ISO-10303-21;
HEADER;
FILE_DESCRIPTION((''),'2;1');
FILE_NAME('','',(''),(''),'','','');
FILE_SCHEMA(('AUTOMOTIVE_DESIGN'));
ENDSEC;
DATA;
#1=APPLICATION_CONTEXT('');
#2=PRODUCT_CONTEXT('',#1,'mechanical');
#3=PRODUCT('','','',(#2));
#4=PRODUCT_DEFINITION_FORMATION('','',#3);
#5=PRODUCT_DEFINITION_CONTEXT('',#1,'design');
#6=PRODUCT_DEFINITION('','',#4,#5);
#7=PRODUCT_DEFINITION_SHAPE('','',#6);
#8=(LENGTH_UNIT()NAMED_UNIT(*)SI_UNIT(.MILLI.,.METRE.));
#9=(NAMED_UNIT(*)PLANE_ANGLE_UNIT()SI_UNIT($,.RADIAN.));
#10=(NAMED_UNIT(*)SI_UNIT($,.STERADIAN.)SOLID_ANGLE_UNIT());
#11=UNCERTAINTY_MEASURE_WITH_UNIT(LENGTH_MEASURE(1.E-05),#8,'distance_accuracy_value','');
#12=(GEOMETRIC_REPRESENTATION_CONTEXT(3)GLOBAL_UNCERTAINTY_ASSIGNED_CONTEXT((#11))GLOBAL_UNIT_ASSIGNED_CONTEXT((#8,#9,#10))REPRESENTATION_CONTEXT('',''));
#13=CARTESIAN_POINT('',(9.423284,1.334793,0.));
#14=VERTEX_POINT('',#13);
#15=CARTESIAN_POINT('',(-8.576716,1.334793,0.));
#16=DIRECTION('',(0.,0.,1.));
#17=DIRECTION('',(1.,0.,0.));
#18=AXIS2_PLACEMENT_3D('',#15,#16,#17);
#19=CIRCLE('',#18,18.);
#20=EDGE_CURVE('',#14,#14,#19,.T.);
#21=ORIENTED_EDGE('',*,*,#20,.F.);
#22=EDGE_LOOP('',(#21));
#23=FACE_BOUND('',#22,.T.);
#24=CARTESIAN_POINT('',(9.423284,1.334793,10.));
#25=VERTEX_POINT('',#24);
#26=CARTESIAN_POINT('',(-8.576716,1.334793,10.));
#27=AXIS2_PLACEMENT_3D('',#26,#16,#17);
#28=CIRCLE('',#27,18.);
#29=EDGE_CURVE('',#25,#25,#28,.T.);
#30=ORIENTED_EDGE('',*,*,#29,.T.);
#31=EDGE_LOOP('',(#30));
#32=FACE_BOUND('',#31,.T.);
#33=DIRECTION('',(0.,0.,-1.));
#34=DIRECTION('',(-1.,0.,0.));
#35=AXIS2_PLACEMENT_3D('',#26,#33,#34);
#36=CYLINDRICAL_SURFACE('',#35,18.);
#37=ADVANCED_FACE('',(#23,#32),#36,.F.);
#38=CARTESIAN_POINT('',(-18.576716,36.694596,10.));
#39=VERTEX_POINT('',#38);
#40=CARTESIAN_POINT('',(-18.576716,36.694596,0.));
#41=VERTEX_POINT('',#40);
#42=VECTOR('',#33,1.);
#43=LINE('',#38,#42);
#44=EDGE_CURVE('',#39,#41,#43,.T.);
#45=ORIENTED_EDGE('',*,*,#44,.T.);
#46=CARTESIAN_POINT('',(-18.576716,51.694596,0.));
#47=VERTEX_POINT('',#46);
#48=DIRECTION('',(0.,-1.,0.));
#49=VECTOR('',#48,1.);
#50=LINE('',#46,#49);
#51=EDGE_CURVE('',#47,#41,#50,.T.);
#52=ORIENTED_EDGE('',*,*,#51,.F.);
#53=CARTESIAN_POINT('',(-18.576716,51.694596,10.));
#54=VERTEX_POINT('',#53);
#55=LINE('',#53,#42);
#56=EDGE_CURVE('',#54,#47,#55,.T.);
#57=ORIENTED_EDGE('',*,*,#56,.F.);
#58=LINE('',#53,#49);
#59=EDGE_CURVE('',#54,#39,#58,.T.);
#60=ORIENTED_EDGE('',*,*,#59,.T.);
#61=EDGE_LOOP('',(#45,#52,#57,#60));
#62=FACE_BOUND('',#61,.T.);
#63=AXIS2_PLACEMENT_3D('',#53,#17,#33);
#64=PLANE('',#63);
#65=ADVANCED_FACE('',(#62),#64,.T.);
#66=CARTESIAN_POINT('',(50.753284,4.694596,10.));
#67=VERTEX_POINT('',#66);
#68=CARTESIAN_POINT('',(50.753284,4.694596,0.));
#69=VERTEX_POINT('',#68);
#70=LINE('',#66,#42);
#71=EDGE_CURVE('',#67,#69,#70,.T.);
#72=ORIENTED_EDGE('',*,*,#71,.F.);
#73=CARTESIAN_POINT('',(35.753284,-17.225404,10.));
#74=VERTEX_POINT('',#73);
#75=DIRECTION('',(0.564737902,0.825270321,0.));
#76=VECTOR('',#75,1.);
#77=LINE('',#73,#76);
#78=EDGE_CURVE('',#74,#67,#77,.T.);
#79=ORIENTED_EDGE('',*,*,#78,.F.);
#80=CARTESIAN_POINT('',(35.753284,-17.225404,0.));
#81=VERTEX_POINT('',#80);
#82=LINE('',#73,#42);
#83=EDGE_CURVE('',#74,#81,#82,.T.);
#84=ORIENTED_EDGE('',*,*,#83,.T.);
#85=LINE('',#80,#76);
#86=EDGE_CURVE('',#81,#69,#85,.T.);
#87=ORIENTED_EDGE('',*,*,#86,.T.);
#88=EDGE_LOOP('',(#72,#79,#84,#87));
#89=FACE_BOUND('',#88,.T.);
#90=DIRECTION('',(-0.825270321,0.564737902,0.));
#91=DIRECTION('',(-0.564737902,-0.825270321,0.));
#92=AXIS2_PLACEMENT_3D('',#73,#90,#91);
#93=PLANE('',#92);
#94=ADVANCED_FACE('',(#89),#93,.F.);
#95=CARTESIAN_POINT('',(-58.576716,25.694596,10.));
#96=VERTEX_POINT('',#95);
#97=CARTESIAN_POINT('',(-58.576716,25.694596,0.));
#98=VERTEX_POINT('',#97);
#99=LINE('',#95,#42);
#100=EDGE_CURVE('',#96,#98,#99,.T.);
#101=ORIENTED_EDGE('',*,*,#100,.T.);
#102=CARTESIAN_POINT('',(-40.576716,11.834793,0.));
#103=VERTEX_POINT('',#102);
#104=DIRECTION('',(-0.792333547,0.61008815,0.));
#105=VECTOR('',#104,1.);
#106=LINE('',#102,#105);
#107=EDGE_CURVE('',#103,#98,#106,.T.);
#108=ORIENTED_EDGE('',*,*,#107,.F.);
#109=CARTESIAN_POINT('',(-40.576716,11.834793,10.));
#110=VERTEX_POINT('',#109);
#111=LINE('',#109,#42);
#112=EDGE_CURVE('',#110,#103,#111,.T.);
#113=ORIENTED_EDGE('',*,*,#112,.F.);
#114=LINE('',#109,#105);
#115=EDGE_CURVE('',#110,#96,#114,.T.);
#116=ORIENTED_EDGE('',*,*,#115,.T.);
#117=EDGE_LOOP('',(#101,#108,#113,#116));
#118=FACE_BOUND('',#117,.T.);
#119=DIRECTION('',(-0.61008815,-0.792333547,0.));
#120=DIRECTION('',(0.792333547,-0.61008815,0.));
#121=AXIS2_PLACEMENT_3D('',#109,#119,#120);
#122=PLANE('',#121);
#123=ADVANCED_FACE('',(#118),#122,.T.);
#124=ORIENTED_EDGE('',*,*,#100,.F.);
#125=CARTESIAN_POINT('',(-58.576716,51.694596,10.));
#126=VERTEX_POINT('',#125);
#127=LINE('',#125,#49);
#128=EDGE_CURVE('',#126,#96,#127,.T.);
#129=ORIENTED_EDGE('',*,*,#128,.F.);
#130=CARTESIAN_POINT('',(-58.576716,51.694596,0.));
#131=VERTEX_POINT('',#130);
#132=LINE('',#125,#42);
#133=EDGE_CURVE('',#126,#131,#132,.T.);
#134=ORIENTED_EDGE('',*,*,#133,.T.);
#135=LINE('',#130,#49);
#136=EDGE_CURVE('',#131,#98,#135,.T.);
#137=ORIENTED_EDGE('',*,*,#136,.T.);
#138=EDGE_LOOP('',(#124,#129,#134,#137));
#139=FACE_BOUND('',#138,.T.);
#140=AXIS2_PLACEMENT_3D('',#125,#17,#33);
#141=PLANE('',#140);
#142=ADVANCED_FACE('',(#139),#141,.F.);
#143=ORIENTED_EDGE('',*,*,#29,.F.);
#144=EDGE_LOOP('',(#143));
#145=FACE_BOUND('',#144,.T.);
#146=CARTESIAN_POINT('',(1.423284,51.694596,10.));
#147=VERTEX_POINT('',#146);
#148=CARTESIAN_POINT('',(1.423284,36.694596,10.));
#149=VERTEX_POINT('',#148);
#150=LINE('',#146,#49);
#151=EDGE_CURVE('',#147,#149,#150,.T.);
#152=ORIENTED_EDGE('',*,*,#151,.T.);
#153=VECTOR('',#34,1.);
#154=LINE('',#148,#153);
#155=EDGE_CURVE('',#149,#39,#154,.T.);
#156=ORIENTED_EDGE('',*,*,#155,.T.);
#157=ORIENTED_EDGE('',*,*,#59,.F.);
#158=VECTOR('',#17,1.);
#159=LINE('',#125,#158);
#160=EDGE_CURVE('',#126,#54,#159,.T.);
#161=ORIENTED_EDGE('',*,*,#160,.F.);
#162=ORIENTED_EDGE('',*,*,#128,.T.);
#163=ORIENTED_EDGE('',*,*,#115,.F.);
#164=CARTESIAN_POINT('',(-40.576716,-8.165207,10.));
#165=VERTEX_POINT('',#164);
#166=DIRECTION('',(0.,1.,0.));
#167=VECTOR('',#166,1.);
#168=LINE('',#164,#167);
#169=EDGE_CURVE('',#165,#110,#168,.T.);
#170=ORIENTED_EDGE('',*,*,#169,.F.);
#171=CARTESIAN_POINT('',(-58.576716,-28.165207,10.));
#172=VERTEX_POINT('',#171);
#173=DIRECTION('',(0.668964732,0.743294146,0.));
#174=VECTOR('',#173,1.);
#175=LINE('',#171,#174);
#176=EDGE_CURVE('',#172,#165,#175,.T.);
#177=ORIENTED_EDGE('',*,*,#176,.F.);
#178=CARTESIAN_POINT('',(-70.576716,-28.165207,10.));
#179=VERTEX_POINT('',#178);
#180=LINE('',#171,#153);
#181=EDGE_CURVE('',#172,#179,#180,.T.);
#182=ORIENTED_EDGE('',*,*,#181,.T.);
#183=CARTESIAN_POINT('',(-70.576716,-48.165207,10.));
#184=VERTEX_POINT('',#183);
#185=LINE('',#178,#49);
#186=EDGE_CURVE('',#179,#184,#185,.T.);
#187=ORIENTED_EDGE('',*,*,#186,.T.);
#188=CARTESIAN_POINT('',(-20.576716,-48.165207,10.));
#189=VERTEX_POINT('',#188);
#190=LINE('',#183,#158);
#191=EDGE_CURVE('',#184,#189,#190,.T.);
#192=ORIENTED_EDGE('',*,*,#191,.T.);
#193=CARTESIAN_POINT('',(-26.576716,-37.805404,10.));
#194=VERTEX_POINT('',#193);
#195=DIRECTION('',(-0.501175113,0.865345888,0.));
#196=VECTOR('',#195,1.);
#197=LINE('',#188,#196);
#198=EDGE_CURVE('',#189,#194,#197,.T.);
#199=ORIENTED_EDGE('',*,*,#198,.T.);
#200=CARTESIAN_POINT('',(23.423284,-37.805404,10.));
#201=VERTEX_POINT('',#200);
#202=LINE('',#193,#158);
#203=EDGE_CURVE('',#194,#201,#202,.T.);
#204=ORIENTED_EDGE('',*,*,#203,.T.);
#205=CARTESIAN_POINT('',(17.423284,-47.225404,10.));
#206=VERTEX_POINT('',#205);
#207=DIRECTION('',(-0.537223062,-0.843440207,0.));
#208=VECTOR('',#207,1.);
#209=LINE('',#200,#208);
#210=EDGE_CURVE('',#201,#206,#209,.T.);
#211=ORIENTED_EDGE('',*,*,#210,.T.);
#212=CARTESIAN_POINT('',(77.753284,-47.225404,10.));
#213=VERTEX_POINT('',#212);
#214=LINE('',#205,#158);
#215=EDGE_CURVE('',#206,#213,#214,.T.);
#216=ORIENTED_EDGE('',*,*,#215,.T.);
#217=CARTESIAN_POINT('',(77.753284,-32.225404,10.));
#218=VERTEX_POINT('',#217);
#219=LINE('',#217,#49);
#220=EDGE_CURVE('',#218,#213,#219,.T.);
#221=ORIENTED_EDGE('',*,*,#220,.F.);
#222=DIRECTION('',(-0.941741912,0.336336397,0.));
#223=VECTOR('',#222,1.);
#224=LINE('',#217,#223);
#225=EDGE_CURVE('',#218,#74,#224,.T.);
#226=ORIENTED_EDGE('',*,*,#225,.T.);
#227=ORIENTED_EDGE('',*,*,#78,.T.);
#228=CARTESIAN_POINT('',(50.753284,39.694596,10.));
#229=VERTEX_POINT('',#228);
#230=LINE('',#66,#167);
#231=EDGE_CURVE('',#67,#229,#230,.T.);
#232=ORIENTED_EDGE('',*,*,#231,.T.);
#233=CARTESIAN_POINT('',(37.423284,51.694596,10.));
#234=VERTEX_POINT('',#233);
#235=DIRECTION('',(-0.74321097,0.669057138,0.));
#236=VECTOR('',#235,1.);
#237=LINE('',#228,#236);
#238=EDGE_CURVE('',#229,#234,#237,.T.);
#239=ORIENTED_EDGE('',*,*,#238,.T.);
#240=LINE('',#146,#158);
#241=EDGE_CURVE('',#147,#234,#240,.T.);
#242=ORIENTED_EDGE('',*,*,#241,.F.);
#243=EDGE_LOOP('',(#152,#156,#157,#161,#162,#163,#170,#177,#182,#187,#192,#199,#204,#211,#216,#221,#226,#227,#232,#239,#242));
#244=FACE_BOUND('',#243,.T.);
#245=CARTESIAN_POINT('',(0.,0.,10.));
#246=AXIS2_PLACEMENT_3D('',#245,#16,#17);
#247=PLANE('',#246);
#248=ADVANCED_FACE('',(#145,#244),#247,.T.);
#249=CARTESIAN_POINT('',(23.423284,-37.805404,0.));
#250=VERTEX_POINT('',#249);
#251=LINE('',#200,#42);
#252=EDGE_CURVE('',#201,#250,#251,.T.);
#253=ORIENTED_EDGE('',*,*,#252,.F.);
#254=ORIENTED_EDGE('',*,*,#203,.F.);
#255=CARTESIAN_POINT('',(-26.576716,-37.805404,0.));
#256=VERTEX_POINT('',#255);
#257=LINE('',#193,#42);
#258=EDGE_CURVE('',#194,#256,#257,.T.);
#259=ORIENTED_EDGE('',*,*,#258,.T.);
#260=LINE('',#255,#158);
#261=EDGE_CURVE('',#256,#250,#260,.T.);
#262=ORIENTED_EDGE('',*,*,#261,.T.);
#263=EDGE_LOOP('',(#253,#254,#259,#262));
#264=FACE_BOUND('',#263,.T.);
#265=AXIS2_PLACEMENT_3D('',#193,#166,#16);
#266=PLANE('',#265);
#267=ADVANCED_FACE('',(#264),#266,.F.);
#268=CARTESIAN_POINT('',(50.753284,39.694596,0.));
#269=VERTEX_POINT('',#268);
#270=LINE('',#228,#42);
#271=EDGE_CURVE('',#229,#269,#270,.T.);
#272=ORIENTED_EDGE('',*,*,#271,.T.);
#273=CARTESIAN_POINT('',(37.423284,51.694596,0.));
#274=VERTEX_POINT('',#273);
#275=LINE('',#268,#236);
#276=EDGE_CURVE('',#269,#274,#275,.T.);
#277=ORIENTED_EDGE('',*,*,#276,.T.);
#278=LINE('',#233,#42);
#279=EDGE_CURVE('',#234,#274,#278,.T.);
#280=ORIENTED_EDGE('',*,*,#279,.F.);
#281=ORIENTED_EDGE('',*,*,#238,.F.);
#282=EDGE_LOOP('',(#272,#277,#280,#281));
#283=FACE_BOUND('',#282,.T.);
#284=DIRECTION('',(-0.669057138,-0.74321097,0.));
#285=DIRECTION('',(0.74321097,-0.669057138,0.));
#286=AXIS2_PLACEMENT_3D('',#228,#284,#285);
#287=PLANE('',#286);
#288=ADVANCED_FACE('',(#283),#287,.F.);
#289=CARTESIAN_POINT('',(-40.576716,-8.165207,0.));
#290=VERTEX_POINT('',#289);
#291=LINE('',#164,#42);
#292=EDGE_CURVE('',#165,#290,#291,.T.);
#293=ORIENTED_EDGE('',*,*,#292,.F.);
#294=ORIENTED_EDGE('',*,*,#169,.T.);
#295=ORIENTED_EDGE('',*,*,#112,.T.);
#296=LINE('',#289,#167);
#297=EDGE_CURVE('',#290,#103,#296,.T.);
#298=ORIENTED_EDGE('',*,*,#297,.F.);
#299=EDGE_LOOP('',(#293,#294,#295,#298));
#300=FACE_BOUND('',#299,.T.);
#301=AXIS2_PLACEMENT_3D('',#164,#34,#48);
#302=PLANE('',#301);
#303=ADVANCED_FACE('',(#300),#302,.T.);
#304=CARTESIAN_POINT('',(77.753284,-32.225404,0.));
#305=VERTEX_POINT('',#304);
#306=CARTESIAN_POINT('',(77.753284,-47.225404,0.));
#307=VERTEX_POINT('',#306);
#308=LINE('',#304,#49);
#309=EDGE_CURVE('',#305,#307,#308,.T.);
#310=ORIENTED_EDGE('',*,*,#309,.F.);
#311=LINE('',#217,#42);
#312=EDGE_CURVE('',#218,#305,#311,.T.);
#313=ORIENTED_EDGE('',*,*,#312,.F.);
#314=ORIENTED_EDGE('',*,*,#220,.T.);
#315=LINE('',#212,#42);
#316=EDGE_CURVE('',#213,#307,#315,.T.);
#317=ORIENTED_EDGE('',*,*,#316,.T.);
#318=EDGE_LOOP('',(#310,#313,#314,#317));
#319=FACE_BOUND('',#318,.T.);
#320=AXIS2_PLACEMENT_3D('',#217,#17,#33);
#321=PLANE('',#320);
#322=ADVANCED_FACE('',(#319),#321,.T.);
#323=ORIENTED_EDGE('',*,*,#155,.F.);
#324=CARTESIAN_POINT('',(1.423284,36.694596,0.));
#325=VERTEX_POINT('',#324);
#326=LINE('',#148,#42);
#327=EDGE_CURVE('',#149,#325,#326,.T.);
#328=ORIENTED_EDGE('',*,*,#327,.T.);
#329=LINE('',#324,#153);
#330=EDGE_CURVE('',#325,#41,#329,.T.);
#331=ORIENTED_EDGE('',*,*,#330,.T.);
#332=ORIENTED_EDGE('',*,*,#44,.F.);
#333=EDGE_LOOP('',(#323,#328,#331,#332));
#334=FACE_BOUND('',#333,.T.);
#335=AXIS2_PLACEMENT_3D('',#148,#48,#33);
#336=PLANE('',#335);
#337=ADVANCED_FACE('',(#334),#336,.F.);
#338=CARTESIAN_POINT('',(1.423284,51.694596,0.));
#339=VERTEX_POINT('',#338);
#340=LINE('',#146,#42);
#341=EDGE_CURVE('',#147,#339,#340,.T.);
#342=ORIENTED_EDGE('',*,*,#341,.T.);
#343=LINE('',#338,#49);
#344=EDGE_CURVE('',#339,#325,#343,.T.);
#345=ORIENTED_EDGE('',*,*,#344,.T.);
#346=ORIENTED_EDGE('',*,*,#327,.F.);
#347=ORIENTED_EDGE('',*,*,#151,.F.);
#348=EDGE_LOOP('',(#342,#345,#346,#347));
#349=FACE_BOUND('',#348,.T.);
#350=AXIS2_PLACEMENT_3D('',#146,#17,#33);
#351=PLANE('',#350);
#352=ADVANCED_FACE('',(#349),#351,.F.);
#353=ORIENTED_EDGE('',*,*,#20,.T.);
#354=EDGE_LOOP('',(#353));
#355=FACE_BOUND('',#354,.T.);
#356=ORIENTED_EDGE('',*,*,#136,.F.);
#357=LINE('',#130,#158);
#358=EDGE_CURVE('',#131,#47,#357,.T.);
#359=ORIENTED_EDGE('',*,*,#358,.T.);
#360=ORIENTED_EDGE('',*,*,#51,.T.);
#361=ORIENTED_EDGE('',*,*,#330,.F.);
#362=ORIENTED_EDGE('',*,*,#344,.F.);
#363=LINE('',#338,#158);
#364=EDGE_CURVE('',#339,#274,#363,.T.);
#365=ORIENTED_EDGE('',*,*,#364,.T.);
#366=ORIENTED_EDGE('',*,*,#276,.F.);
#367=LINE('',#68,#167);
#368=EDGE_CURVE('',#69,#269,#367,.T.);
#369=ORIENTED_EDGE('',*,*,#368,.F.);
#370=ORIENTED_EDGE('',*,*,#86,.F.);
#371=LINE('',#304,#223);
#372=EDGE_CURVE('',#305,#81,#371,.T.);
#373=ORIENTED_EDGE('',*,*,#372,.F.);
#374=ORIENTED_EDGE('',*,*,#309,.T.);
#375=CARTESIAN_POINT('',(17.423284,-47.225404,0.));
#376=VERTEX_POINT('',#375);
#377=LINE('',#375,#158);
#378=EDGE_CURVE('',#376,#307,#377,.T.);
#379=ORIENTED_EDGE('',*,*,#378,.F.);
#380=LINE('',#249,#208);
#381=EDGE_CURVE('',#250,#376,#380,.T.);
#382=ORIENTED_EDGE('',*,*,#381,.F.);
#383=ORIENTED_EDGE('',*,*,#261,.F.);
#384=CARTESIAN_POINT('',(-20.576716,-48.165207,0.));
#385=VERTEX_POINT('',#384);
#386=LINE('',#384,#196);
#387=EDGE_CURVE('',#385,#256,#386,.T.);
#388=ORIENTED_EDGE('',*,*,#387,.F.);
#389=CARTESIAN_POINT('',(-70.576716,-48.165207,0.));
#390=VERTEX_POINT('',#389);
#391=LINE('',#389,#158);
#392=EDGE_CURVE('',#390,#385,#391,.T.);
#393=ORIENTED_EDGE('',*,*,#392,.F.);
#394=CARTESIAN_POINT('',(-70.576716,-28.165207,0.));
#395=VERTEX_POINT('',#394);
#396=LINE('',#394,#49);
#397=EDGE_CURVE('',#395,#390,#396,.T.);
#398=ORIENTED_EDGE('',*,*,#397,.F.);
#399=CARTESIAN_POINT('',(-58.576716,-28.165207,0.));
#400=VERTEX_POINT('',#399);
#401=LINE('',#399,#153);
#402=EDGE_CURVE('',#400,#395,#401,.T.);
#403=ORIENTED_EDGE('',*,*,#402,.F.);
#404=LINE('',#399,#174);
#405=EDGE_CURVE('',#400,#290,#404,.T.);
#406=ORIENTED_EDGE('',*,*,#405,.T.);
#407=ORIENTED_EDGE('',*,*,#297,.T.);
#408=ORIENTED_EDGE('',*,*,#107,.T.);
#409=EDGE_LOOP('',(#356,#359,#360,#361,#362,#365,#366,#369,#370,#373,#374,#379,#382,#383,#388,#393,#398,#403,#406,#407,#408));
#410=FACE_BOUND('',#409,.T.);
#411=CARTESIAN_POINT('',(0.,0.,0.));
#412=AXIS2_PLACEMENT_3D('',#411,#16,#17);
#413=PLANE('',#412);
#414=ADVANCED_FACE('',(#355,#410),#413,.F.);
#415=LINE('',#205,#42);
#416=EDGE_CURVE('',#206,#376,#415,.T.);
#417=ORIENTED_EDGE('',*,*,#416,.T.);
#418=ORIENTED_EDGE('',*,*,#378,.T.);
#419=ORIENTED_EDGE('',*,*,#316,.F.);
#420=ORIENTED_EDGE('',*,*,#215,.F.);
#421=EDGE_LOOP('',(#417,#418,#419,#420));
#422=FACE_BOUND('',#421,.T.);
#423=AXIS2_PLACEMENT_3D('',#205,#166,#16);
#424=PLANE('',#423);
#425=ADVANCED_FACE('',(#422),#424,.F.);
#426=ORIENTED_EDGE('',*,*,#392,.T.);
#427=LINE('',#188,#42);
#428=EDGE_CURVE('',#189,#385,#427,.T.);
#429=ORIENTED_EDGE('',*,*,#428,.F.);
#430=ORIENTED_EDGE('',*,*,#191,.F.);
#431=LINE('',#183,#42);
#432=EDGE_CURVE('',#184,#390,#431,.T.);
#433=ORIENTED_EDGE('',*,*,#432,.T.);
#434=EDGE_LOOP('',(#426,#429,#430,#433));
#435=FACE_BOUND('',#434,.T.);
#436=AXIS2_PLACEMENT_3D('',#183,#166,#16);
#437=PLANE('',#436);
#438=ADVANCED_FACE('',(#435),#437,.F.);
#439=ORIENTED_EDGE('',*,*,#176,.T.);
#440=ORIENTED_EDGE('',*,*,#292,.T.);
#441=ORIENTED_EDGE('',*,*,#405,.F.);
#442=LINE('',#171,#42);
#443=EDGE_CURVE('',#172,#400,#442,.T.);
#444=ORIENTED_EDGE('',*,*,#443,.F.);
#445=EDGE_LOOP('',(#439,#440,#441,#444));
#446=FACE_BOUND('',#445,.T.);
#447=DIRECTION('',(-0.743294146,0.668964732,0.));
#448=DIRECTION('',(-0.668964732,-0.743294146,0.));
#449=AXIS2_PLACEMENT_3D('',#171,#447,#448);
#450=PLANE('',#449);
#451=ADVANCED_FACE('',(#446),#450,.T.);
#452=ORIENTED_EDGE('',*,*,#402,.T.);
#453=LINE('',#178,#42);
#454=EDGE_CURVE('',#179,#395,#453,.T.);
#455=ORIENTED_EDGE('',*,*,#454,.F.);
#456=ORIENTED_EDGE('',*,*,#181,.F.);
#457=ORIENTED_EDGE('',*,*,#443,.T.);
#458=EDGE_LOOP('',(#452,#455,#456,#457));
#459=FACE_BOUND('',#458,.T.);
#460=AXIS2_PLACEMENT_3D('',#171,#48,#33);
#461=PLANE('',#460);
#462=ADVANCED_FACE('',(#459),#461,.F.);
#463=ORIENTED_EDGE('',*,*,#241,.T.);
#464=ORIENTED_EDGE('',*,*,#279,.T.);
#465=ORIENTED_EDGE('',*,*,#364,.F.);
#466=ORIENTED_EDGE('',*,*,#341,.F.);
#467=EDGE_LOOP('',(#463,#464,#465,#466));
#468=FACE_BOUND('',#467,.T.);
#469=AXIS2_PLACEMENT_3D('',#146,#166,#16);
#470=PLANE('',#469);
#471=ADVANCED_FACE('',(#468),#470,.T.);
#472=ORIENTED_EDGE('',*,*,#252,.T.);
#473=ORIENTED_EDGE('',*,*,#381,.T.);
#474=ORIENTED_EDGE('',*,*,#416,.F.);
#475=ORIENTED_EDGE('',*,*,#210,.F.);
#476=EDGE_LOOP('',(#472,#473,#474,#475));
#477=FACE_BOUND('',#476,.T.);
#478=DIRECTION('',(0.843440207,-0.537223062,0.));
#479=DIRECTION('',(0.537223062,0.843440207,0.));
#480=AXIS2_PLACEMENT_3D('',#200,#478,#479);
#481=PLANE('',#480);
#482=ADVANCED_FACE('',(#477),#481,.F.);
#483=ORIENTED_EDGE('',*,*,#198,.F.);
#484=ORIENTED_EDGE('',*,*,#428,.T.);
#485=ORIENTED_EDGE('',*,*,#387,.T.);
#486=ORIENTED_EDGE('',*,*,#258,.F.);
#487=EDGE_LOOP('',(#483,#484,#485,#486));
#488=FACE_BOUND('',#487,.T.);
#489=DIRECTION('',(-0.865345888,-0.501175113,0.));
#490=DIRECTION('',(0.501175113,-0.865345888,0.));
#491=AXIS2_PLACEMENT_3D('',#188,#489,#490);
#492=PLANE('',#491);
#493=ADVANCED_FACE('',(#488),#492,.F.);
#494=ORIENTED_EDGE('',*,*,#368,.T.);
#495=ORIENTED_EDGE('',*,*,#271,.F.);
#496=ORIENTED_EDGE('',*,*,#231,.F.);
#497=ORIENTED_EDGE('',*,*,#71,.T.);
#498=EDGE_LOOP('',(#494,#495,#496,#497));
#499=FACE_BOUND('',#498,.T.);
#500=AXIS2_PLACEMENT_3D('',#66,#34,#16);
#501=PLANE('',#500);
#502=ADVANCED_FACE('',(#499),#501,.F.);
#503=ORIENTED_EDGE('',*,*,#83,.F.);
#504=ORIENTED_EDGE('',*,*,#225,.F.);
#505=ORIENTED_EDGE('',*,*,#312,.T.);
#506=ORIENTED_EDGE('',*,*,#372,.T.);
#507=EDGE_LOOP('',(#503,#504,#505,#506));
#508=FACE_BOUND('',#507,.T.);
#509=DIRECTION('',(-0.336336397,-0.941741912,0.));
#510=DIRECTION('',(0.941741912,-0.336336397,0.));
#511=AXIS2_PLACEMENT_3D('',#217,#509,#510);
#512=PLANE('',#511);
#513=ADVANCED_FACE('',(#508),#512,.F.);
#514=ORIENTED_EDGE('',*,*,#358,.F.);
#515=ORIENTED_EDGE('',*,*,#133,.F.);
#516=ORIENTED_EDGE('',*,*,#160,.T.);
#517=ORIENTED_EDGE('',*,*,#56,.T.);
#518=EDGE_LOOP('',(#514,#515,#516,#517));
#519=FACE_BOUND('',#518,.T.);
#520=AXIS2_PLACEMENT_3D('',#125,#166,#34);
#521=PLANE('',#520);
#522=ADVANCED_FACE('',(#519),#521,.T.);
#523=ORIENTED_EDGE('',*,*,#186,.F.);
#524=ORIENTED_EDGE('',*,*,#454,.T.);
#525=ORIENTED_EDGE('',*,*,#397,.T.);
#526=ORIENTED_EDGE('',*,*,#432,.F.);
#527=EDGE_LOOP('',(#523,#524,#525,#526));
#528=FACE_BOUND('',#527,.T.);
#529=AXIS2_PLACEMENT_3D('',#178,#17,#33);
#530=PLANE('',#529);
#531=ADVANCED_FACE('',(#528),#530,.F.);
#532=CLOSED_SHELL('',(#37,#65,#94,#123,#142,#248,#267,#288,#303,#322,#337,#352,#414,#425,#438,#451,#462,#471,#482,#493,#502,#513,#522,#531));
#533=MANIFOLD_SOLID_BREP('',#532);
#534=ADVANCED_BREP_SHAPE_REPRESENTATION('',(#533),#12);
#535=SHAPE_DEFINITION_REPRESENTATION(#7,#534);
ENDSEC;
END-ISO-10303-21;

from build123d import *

# Parameters (mm, degrees)
SKETCH1_R           = 18
BOSS_EXTRUDE2_DEPTH = 10


with BuildPart() as part:
    # Sketch1 → Boss-Extrude2 (new body)
    with BuildSketch(Plane.XY):
        Polygon((17.423284477, -47.225403837), (77.753284477, -47.225403837), (77.753284477, -32.225403837), (35.753284477, -17.225403837), (50.753284477, 4.694596163), (50.753284477, 39.694596163), (37.423284477, 51.694596163), (1.423284477, 51.694596163), (1.423284477, 36.694596163), (-18.576715523, 36.694596163), (-18.576715523, 51.694596163), (-58.576715523, 51.694596163), (-58.576715523, 25.694596163), (-40.576715523, 11.834793389), (-40.576715523, -8.165206611), (-58.576715523, -28.165206611), (-70.576715523, -28.165206611), (-70.576715523, -48.165206611), (-20.576715523, -48.165206611), (-26.576715523, -37.805403837), (23.423284477, -37.805403837), align=None)
        with Locations((-8.576715523, 1.334793389)):
            Circle(SKETCH1_R, mode=Mode.SUBTRACT)
    extrude(amount=BOSS_EXTRUDE2_DEPTH)


solid = part.part
